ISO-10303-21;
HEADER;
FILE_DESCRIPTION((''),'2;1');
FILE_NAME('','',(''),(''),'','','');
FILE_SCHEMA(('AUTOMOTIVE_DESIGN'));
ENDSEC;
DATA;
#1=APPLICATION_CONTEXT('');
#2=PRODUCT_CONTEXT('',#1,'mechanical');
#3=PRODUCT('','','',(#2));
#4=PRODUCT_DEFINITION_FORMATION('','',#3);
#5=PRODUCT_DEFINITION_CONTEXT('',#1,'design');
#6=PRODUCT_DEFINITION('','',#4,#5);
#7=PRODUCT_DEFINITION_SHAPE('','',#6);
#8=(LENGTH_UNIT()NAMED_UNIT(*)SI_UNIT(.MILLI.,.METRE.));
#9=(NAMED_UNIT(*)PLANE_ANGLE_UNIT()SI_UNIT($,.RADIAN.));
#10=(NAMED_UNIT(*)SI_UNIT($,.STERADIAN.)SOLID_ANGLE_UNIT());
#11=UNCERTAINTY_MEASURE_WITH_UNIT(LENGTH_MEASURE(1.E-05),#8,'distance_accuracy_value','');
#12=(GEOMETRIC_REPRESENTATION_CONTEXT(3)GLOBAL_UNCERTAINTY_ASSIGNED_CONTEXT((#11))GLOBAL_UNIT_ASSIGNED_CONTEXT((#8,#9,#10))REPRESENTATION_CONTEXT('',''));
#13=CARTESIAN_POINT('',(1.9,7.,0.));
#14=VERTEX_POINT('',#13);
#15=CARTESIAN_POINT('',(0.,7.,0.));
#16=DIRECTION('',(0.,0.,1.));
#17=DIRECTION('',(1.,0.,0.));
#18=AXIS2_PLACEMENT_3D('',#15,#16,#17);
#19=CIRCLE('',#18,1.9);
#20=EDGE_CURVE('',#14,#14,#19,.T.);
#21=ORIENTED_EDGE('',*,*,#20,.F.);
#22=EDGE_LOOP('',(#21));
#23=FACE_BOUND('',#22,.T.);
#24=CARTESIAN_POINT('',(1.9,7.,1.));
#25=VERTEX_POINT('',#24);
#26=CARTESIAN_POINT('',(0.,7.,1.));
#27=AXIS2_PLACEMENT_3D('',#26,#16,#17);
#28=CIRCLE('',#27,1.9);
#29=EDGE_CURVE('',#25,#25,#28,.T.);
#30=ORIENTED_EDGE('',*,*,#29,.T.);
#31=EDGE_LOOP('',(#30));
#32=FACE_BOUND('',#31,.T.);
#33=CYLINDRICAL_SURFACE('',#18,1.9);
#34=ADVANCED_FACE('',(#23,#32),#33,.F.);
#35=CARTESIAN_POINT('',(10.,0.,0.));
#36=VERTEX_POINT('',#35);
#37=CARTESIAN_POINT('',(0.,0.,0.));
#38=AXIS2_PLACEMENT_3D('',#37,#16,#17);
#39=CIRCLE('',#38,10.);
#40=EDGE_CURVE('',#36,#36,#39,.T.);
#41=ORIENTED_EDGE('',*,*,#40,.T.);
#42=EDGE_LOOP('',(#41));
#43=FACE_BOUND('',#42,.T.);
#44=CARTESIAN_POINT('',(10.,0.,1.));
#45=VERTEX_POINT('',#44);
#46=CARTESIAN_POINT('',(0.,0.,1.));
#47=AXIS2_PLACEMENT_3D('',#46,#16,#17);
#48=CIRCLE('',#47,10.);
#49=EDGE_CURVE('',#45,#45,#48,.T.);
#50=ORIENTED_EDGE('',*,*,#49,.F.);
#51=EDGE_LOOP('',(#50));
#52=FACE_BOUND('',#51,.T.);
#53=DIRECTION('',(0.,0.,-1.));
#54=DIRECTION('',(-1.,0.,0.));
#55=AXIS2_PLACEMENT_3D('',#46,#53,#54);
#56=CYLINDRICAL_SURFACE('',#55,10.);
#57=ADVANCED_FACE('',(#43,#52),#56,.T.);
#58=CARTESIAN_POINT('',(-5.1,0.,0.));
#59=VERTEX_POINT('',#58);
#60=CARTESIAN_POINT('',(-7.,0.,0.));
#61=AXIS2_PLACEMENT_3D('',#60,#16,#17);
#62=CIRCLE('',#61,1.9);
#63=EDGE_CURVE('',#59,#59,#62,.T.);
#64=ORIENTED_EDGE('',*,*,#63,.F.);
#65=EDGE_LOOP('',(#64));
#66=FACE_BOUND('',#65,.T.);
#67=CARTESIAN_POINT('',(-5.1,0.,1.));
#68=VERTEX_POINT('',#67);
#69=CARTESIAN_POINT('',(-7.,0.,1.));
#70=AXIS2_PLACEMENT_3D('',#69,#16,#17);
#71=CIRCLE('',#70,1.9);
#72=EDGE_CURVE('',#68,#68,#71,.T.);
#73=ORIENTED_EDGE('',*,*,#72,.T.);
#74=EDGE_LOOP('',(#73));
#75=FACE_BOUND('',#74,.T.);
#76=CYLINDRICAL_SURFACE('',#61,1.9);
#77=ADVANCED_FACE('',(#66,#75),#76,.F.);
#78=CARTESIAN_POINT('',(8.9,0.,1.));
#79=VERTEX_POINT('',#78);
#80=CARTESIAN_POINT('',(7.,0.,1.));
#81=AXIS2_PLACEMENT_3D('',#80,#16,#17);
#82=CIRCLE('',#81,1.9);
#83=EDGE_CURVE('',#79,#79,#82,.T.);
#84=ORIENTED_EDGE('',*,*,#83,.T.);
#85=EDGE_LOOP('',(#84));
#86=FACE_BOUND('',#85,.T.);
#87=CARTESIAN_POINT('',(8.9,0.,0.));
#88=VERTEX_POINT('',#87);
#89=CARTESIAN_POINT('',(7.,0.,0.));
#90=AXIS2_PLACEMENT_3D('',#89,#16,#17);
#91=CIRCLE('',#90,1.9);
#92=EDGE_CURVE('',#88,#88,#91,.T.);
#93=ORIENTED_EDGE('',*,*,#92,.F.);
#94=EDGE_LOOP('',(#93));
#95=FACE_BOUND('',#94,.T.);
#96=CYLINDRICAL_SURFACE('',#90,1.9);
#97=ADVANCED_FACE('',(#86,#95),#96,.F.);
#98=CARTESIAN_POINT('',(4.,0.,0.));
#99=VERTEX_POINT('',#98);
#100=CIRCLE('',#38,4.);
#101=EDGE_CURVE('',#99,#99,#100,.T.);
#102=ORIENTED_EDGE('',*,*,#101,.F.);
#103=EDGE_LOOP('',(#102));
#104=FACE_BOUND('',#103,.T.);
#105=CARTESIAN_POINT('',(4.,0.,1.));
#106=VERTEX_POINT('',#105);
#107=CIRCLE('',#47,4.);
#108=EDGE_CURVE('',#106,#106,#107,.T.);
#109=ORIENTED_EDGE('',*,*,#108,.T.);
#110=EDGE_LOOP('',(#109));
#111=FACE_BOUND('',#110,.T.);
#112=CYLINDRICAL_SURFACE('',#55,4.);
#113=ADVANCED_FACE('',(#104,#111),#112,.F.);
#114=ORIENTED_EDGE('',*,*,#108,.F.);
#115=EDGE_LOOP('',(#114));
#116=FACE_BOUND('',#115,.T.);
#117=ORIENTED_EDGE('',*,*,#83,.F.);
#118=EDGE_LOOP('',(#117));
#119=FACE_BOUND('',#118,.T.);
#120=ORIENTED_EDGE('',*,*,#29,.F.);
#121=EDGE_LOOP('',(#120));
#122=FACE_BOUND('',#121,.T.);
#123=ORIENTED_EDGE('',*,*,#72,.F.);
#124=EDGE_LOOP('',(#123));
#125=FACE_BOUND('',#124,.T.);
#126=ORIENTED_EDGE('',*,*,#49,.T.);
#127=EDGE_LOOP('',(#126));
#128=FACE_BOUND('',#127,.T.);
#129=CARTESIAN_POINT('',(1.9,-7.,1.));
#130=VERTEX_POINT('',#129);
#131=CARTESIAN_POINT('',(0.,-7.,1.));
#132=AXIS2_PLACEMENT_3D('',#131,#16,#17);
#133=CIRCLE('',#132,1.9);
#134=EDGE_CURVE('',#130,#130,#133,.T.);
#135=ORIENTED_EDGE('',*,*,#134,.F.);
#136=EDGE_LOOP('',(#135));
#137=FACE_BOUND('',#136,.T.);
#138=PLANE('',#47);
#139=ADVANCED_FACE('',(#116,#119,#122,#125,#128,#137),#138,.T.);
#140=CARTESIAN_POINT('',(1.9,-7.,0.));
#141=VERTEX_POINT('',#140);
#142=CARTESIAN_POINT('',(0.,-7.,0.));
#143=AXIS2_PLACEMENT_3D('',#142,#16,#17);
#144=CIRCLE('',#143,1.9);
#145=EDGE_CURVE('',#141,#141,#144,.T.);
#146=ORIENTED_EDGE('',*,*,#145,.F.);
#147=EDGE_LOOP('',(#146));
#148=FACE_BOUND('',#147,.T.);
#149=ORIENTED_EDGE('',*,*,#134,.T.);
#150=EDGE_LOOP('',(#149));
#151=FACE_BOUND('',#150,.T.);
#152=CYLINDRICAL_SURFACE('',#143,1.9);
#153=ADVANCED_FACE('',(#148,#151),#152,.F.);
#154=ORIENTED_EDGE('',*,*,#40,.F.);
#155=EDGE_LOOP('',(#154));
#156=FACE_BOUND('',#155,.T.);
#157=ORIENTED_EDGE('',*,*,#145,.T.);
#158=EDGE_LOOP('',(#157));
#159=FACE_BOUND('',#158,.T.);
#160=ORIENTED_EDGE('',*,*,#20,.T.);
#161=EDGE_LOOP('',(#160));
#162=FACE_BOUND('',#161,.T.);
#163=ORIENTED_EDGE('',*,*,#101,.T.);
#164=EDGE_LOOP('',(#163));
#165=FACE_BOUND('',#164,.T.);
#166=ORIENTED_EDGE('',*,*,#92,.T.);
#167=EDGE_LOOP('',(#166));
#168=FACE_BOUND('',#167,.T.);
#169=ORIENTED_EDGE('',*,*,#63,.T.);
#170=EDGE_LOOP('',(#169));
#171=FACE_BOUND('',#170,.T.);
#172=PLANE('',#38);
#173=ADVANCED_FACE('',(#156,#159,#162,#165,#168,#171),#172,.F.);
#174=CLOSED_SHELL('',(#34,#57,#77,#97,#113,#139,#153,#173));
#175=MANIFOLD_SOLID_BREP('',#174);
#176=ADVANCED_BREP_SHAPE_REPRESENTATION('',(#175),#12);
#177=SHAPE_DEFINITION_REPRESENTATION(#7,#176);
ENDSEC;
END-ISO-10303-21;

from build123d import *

# Parameters (mm, degrees)
ESQUISSE1_R                  = 10
ESQUISSE1_R_2                = 4
BOSS_EXTRU_1_DEPTH           = 1
ESQUISSE2_R                  = 1.9
ENL_V_MAT_EXTRU_1_DEPTH      = 1
ENL_V_MAT_EXTRU_1_DEPTH_BACK = 2


with BuildPart() as part:
    # Esquisse1 → Boss.-Extru.1 (new body)
    with BuildSketch(Plane.XY):
        Circle(ESQUISSE1_R)
        Circle(ESQUISSE1_R_2, mode=Mode.SUBTRACT)
    extrude(amount=BOSS_EXTRU_1_DEPTH)

    # Esquisse2 → Enlèv. mat.-Extru.1 (cut, two sides)
    with BuildSketch(Plane.XY.offset(1)) as enl_v_mat_extru_1_sk:
        with Locations((7, 0)):
            Circle(ESQUISSE2_R)
        with Locations((0, -7)):
            Circle(ESQUISSE2_R)
        with Locations((-7, 0)):
            Circle(ESQUISSE2_R)
        with Locations((0, 7)):
            Circle(ESQUISSE2_R)
    extrude(amount=ENL_V_MAT_EXTRU_1_DEPTH, mode=Mode.SUBTRACT)
    extrude(enl_v_mat_extru_1_sk.sketch, amount=-ENL_V_MAT_EXTRU_1_DEPTH_BACK, mode=Mode.SUBTRACT)


solid = part.part
